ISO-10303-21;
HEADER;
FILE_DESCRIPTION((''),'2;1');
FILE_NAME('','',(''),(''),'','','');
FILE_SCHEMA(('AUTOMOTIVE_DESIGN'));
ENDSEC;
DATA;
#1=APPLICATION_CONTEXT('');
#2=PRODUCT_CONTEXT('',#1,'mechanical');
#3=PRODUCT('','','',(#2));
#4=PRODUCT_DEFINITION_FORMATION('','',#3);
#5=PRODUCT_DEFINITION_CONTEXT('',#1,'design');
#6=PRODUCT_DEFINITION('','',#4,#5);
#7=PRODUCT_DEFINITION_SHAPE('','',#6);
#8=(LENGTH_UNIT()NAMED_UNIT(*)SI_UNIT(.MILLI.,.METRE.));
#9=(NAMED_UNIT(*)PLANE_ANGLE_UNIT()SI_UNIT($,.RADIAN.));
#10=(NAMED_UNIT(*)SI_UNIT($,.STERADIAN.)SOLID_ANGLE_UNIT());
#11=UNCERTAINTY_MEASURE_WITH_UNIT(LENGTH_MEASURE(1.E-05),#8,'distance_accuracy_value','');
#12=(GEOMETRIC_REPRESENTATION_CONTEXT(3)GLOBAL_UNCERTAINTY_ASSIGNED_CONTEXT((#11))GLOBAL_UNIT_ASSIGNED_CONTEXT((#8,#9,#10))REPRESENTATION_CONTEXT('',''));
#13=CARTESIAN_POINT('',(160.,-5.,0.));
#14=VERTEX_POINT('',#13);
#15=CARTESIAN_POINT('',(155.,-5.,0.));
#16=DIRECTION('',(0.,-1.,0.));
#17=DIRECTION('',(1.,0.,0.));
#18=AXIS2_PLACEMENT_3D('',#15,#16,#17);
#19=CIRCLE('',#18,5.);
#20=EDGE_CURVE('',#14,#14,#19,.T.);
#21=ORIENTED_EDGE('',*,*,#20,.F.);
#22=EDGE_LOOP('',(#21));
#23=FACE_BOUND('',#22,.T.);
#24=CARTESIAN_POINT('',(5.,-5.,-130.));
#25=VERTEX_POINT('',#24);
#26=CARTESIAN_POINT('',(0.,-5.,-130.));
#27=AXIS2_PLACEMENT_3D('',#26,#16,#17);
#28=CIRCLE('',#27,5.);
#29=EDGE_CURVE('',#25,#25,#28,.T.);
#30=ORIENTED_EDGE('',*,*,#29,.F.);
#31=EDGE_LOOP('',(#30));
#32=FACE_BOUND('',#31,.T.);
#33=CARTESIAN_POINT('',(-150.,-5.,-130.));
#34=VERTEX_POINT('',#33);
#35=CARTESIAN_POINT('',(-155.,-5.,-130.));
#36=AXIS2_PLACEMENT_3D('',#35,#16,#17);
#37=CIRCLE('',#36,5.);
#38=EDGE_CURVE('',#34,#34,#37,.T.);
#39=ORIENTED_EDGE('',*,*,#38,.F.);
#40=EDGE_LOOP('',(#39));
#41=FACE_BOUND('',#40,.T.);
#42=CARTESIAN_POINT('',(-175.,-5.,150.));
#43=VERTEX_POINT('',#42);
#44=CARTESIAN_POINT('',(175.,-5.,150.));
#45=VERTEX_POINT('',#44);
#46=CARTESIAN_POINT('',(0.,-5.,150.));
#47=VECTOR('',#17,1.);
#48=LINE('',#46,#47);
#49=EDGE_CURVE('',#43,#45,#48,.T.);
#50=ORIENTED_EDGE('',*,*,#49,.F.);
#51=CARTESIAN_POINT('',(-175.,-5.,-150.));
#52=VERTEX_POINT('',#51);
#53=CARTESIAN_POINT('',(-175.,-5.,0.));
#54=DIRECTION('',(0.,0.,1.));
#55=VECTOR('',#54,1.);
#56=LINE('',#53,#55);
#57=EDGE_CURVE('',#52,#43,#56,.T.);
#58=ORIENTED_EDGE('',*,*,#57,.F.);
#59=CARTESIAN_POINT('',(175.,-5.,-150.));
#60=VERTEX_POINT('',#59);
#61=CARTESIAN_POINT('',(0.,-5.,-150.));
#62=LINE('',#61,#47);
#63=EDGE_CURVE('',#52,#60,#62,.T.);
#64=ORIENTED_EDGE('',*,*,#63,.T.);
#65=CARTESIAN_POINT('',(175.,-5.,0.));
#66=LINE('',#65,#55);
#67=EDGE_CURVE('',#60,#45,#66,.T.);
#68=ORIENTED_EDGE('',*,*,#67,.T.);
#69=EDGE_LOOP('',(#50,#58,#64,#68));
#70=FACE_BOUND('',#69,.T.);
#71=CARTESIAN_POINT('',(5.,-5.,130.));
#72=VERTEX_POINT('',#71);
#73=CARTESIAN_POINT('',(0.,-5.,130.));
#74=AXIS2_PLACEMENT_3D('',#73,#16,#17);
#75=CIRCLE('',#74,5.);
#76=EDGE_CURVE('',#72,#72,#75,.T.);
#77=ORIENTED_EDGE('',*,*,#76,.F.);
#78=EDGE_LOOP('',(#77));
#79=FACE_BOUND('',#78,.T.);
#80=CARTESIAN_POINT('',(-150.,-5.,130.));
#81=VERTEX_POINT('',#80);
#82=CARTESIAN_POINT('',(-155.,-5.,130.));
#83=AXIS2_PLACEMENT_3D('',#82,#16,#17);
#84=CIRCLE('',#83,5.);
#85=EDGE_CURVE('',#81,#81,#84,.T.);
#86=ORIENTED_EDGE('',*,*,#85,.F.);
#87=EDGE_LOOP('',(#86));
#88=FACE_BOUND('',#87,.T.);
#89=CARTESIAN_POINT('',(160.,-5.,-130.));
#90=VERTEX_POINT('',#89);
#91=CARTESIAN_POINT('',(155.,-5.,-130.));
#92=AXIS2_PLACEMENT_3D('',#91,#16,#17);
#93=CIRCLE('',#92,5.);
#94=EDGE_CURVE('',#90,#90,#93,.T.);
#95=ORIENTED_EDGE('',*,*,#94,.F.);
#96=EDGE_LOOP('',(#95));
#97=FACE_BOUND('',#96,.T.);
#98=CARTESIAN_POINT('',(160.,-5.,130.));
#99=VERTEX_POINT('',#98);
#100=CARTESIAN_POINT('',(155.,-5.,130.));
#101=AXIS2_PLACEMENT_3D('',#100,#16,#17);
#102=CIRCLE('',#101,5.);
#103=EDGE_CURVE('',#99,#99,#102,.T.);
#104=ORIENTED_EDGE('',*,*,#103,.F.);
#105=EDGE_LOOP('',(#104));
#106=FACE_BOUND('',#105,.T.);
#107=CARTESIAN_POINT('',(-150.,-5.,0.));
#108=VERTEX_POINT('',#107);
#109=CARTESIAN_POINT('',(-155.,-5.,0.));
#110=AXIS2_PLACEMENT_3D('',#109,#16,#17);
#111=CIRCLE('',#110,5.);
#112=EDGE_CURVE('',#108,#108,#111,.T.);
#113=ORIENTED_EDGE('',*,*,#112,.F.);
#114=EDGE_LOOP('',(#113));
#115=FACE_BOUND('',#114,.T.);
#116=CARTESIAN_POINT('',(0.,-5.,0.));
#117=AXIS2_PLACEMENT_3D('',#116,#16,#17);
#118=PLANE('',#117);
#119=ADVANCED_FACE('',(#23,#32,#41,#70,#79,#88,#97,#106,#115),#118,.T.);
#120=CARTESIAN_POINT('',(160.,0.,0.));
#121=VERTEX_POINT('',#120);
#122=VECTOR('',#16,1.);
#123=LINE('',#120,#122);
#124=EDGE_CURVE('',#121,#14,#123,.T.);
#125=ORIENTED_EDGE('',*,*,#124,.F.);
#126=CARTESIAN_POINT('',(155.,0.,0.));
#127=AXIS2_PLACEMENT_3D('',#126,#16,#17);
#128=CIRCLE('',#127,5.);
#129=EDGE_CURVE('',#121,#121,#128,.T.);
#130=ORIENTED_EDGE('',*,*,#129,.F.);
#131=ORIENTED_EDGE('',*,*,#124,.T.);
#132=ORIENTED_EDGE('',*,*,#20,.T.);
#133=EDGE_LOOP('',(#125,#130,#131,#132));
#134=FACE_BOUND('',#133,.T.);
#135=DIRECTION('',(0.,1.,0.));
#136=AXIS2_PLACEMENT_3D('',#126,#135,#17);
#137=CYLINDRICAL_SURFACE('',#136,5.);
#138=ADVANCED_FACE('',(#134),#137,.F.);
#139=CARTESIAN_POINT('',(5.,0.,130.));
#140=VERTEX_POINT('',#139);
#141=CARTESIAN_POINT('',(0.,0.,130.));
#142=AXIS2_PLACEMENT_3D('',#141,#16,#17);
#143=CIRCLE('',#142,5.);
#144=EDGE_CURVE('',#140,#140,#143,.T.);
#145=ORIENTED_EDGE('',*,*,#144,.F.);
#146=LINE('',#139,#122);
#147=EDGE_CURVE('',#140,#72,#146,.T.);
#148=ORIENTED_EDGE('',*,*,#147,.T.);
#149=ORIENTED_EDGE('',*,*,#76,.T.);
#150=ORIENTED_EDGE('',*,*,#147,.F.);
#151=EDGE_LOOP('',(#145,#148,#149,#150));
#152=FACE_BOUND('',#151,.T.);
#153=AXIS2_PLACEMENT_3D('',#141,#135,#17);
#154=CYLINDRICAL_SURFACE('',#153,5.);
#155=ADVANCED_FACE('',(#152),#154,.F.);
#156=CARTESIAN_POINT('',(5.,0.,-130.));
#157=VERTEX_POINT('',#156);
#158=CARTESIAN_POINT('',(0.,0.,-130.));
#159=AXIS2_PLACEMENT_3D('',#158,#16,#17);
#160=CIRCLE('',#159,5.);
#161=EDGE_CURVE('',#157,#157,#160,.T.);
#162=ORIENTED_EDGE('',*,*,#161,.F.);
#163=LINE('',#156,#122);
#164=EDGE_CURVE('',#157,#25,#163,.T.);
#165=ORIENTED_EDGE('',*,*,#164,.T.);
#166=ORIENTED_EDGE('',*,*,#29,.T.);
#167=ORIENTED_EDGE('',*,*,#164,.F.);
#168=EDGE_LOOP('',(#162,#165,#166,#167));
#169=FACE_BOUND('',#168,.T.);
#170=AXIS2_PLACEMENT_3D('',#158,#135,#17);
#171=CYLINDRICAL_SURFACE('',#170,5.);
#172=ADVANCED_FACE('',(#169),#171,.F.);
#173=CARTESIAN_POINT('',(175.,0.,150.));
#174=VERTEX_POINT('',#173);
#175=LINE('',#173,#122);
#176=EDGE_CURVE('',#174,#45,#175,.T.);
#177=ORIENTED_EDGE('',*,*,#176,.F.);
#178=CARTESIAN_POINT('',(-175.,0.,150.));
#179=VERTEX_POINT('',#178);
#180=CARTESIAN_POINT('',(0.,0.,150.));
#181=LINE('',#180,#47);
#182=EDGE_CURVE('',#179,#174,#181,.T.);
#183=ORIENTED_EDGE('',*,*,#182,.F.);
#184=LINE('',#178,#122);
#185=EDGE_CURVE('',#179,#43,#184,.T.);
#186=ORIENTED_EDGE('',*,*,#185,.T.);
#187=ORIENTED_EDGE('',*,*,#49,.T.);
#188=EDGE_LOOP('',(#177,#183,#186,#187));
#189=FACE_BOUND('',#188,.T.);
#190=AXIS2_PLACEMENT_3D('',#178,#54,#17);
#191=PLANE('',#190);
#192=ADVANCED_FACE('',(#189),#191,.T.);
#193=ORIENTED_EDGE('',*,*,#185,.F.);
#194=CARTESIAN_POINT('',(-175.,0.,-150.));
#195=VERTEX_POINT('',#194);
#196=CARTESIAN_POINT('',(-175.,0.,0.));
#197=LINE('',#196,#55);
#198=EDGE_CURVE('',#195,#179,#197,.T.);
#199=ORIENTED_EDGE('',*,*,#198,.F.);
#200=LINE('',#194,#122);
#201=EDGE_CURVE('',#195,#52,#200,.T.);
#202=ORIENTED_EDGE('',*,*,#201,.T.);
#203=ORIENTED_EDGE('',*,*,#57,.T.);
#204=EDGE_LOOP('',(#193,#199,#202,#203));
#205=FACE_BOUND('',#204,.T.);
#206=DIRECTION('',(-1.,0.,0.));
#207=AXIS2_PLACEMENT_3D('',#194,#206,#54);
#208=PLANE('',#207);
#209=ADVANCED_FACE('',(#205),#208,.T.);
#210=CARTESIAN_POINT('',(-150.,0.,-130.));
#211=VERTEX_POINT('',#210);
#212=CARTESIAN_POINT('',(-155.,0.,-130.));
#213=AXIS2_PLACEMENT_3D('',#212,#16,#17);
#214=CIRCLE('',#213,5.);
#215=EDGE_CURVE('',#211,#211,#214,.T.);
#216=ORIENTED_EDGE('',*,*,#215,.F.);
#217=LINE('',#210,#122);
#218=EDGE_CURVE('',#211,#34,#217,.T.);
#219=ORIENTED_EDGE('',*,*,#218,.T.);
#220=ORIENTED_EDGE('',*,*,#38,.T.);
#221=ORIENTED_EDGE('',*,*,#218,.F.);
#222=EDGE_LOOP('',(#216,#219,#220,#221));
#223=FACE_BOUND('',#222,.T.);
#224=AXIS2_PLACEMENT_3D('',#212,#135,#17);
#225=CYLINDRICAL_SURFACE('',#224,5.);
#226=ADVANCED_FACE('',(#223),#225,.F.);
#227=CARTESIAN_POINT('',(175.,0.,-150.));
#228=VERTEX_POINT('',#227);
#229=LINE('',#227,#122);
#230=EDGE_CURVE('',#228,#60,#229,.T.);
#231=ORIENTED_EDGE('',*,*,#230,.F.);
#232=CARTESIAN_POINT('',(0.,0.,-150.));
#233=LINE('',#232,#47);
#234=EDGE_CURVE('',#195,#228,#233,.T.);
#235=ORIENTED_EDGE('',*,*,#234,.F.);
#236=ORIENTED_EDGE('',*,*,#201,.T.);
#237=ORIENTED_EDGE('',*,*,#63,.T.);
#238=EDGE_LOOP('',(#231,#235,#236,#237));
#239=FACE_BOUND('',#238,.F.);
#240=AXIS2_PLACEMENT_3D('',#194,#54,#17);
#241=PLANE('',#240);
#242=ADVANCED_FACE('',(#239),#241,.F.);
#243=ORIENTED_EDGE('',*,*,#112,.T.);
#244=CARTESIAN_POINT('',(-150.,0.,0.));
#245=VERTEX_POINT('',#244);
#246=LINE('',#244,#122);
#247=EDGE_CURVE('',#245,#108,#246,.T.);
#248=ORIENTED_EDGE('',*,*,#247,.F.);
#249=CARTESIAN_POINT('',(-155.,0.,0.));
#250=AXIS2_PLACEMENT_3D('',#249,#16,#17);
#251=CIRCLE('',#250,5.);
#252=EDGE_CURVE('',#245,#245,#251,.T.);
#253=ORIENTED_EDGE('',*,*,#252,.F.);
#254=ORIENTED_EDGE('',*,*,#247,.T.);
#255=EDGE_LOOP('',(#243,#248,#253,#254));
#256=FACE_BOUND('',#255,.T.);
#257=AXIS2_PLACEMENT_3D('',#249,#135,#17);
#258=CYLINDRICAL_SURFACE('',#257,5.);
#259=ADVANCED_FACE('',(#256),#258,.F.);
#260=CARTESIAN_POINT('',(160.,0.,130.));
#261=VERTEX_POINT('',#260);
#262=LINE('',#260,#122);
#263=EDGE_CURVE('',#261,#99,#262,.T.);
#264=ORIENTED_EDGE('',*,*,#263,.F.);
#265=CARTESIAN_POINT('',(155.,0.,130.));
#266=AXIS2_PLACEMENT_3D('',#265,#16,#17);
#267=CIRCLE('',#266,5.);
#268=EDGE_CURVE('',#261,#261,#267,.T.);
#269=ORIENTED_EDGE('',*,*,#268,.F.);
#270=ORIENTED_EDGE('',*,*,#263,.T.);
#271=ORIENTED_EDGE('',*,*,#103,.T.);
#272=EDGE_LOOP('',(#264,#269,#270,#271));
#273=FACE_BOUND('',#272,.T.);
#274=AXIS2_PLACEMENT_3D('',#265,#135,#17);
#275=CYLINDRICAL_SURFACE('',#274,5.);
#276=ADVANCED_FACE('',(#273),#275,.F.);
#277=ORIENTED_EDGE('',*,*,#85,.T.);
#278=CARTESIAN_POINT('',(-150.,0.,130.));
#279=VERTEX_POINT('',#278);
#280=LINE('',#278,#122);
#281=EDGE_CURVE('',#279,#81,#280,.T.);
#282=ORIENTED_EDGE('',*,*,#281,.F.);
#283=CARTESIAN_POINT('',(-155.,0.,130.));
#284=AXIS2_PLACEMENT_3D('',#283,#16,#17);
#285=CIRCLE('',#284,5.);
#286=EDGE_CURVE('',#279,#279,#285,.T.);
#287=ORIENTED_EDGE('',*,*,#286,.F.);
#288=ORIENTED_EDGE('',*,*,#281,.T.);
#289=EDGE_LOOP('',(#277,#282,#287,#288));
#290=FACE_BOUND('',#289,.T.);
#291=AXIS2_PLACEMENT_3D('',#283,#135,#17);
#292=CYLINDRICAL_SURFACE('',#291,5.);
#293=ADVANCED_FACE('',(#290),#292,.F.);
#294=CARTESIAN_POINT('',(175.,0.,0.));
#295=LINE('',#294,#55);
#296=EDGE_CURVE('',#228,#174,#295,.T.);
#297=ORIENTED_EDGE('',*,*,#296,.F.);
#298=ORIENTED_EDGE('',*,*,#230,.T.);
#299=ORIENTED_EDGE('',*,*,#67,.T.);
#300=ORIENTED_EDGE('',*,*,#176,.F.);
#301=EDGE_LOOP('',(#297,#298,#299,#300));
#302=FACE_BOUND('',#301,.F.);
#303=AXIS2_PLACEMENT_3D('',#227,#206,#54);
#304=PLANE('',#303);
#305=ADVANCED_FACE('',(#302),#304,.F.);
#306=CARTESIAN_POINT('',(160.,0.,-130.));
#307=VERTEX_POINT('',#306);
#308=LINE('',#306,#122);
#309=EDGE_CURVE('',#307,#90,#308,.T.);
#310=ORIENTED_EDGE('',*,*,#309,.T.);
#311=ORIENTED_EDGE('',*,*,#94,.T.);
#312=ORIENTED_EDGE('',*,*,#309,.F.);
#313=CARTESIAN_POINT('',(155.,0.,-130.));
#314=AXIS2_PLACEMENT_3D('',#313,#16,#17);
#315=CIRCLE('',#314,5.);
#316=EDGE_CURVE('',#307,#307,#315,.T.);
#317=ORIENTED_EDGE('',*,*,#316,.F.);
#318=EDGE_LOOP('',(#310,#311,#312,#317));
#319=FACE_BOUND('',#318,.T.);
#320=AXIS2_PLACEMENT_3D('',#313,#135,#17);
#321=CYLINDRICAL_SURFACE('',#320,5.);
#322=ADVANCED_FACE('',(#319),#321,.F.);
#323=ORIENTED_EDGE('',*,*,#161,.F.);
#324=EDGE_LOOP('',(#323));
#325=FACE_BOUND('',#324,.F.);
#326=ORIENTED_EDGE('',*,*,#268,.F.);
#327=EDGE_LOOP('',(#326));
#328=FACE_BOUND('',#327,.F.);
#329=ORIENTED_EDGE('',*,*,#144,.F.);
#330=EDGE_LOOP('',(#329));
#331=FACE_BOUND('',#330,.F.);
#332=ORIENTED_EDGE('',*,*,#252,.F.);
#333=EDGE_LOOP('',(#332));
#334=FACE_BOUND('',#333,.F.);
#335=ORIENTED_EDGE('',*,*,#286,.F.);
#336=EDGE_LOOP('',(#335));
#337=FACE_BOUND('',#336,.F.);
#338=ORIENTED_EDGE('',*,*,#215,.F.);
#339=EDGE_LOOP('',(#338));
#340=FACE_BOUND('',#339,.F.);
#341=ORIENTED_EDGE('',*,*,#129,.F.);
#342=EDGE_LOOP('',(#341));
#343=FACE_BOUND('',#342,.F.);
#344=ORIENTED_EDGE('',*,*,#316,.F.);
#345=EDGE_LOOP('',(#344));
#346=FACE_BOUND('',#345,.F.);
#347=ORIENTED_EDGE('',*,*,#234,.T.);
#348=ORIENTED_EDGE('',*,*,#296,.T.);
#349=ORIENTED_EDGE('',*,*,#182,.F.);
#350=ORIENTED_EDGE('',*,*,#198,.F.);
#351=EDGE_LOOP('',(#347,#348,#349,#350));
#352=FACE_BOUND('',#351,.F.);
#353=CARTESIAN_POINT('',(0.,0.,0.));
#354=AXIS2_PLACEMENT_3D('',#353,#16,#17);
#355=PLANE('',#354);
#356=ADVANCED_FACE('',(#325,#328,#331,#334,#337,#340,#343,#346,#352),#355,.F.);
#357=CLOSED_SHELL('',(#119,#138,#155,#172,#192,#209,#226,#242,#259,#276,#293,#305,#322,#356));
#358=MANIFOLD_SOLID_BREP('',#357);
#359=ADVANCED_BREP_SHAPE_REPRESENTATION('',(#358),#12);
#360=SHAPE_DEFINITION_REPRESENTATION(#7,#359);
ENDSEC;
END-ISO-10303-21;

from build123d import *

# Parameters (mm, degrees)
F0_W     = 350
F0_H     = 300
F0_R     = 5
F1_DEPTH = 5


with BuildPart() as f1:
    # F0 (on Front) → F1 (new body)
    with BuildSketch(Plane.XZ):
        Rectangle(F0_W, F0_H)
        with Locations((-155, -130)):
            Circle(F0_R, mode=Mode.SUBTRACT)
        with Locations((0, -130)):
            Circle(F0_R, mode=Mode.SUBTRACT)
        with Locations((155, -130)):
            Circle(F0_R, mode=Mode.SUBTRACT)
        with Locations((-155, 0)):
            Circle(F0_R, mode=Mode.SUBTRACT)
        with Locations((-155, 130)):
            Circle(F0_R, mode=Mode.SUBTRACT)
        with Locations((155, 0)):
            Circle(F0_R, mode=Mode.SUBTRACT)
        with Locations((0, 130)):
            Circle(F0_R, mode=Mode.SUBTRACT)
        with Locations((155, 130)):
            Circle(F0_R, mode=Mode.SUBTRACT)
    extrude(amount=F1_DEPTH)


solid = f1.part
